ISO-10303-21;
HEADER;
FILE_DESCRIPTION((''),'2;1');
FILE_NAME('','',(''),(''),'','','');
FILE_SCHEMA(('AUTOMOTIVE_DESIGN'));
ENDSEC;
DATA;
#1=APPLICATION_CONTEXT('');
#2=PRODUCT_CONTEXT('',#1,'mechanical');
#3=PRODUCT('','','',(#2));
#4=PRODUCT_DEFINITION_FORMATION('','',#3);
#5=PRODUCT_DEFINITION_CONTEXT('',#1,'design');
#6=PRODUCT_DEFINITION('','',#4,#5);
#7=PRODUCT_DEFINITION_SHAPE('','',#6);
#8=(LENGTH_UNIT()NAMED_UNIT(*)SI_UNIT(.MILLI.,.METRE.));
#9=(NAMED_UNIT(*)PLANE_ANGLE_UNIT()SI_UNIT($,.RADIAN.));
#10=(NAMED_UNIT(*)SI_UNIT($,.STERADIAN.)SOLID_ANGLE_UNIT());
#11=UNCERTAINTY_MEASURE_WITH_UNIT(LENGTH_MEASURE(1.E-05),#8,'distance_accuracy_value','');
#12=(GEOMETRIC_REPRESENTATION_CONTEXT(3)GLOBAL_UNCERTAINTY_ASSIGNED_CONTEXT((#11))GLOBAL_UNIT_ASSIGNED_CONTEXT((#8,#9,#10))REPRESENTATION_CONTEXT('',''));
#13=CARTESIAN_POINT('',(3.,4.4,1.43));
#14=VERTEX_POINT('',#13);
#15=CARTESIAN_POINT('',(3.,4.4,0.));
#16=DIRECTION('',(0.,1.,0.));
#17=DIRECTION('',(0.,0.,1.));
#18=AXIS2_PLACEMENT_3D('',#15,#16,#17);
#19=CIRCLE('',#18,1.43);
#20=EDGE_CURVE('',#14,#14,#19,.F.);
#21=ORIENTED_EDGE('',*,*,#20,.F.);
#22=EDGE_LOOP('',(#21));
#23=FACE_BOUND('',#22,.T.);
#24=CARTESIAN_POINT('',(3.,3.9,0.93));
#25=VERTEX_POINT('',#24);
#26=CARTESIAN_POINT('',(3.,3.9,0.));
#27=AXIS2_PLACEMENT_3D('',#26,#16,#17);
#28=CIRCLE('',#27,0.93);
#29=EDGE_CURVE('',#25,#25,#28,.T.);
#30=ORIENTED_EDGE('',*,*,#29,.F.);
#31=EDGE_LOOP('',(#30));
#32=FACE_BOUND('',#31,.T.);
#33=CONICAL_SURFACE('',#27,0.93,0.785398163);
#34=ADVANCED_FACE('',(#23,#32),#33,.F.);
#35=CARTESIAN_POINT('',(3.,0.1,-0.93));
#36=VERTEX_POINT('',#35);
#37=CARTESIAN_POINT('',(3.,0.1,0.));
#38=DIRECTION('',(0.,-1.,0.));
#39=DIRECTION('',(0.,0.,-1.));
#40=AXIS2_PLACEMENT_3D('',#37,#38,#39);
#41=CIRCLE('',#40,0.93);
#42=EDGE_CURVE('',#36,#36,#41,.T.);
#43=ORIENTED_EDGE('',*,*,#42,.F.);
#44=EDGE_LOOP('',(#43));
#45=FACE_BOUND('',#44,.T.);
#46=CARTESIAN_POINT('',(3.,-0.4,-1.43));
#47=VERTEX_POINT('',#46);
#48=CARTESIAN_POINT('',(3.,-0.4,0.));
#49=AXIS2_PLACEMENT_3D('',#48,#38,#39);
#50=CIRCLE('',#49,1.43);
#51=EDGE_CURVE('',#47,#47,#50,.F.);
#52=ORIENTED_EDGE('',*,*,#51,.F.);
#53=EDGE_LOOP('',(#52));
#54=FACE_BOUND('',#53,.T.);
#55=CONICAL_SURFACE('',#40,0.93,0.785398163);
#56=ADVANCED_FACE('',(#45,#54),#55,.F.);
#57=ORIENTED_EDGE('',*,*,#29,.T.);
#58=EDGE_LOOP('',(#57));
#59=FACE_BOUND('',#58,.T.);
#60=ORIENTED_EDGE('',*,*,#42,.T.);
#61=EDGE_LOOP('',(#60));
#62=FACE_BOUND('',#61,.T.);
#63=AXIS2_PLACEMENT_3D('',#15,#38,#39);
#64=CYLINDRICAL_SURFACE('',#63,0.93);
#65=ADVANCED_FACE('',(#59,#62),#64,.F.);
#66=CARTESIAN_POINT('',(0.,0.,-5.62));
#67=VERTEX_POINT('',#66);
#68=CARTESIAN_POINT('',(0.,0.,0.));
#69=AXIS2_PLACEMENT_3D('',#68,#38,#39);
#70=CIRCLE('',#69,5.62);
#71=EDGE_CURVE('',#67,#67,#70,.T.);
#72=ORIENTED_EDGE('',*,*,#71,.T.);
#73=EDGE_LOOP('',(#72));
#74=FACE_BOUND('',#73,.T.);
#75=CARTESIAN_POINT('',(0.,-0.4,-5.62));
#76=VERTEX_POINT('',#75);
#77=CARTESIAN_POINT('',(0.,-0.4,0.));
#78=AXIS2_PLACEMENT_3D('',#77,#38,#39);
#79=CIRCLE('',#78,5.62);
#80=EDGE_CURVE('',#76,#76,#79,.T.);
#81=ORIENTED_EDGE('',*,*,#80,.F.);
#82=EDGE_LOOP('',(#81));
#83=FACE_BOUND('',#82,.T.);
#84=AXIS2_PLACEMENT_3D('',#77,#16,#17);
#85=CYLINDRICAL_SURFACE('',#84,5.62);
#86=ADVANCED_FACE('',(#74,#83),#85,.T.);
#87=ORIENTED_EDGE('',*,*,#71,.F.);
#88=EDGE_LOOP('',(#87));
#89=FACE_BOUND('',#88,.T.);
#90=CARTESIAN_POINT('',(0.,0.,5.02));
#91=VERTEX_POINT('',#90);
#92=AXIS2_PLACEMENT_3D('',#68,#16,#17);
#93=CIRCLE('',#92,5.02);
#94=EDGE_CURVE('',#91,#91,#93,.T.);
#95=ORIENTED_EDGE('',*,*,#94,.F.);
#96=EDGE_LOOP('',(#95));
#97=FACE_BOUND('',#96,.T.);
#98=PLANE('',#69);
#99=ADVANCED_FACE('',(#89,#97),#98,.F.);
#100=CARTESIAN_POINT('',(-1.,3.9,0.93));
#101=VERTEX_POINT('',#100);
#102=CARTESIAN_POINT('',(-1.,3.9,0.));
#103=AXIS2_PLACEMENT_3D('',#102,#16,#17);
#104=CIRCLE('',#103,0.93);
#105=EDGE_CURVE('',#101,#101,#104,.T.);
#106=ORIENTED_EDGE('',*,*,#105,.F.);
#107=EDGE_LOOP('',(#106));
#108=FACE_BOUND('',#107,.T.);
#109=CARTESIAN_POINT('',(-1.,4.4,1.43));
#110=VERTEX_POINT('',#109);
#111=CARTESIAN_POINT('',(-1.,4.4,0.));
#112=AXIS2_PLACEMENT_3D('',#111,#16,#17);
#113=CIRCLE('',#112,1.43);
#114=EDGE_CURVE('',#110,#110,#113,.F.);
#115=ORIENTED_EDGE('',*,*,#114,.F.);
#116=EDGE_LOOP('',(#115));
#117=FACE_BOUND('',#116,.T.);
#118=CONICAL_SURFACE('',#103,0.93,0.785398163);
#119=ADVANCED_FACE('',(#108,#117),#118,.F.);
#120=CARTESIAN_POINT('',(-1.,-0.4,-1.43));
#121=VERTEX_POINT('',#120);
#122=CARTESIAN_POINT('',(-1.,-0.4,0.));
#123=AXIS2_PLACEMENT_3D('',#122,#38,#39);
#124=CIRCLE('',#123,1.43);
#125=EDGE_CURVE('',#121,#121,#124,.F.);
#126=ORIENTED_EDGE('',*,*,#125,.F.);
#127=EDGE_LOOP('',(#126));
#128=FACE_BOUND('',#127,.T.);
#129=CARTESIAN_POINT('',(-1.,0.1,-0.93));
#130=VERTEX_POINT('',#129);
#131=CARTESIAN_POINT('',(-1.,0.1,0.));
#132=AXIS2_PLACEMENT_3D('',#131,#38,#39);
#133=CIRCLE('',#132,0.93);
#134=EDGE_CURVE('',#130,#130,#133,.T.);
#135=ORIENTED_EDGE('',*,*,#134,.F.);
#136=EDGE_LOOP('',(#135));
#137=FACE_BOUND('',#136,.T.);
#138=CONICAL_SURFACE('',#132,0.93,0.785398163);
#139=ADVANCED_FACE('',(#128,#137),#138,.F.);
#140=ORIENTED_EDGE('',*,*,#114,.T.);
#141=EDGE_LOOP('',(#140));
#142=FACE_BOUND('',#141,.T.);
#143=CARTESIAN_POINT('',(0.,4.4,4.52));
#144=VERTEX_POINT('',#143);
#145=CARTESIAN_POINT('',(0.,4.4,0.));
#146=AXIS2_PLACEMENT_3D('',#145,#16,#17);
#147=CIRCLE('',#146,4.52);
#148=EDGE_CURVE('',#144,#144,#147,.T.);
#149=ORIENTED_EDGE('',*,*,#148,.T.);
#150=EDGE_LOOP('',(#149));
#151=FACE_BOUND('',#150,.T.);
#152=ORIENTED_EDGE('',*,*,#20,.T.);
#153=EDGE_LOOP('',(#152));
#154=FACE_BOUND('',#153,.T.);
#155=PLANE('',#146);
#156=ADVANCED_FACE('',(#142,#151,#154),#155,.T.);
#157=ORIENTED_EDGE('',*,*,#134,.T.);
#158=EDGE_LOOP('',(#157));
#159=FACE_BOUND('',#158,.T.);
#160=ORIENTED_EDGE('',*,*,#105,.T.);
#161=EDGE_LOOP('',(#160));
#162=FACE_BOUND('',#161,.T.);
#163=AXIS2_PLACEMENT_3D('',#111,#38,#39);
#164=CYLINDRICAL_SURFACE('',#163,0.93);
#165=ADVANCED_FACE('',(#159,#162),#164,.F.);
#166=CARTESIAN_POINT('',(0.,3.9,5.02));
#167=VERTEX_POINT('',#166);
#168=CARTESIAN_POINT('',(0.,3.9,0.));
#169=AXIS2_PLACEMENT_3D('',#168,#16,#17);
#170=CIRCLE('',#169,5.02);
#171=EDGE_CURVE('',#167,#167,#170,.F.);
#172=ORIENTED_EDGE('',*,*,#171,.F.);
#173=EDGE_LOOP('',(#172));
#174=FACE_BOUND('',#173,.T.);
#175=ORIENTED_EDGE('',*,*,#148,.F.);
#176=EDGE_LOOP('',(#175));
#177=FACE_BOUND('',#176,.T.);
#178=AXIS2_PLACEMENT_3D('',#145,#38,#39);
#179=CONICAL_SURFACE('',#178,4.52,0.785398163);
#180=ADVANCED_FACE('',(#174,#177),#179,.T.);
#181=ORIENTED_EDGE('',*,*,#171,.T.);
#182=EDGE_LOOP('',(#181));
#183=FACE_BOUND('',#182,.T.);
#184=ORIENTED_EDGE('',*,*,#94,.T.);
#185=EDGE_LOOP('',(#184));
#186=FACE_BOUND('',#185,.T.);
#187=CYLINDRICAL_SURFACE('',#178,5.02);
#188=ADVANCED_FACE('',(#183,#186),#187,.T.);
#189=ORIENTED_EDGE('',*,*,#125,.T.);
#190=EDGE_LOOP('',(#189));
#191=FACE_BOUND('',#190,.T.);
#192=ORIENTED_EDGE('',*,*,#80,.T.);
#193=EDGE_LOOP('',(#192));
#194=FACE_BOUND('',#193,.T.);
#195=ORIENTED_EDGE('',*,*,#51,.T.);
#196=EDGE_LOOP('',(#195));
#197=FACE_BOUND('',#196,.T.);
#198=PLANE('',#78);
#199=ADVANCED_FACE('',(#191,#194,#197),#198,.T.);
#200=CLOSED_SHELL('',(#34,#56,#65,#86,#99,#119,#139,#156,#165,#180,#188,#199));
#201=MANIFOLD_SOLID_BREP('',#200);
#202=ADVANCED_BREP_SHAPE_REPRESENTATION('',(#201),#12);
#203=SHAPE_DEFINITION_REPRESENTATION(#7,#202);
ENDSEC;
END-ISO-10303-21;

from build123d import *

# Parameters (mm, degrees)
SKETCH_1_R      = 5.02
SKETCH_1_R_2    = 0.93
EXTRUDE_1_DEPTH = 4.4
EXTRUDE_START   = 0.4
SKETCH_3_R      = 5.62
SKETCH_3_R_2    = 0.93
EXTRUDE_2_DEPTH = 0.4
CHAMFER_1_SIZE  = 0.5


with BuildPart() as part:
    # 草图1 → 凸台-拉伸1 (new body)
    with BuildSketch(Plane(origin=(0, 0, 0), x_dir=(1, 0, 0), z_dir=(0, 1, 0))):
        Circle(SKETCH_1_R)
        with Locations((3, 0)):
            Circle(SKETCH_1_R_2, mode=Mode.SUBTRACT)
        with Locations((-1, 0)):
            Circle(SKETCH_1_R_2, mode=Mode.SUBTRACT)
    extrude(amount=EXTRUDE_1_DEPTH)

    # 草图3 → 凸台-拉伸2 (add)
    with BuildSketch(Plane.XZ.offset(EXTRUDE_START)):
        Circle(SKETCH_3_R)
        with Locations((3, 0)):
            Circle(SKETCH_3_R_2, mode=Mode.SUBTRACT)
        with Locations((-1, 0)):
            Circle(SKETCH_3_R_2, mode=Mode.SUBTRACT)
    extrude(amount=-EXTRUDE_2_DEPTH)

    # 倒角1
    chamfer_1_edges = [part.edges().sort_by_distance(p)[0] for p in [
        (-5.02, 4.4, 0),
        (-1.93, 4.4, 0),
        (2.07, 4.4, 0),
        (-1.93, -0.4, 0),
        (2.07, -0.4, 0),
    ]]
    chamfer(chamfer_1_edges, length=CHAMFER_1_SIZE)


solid = part.part
